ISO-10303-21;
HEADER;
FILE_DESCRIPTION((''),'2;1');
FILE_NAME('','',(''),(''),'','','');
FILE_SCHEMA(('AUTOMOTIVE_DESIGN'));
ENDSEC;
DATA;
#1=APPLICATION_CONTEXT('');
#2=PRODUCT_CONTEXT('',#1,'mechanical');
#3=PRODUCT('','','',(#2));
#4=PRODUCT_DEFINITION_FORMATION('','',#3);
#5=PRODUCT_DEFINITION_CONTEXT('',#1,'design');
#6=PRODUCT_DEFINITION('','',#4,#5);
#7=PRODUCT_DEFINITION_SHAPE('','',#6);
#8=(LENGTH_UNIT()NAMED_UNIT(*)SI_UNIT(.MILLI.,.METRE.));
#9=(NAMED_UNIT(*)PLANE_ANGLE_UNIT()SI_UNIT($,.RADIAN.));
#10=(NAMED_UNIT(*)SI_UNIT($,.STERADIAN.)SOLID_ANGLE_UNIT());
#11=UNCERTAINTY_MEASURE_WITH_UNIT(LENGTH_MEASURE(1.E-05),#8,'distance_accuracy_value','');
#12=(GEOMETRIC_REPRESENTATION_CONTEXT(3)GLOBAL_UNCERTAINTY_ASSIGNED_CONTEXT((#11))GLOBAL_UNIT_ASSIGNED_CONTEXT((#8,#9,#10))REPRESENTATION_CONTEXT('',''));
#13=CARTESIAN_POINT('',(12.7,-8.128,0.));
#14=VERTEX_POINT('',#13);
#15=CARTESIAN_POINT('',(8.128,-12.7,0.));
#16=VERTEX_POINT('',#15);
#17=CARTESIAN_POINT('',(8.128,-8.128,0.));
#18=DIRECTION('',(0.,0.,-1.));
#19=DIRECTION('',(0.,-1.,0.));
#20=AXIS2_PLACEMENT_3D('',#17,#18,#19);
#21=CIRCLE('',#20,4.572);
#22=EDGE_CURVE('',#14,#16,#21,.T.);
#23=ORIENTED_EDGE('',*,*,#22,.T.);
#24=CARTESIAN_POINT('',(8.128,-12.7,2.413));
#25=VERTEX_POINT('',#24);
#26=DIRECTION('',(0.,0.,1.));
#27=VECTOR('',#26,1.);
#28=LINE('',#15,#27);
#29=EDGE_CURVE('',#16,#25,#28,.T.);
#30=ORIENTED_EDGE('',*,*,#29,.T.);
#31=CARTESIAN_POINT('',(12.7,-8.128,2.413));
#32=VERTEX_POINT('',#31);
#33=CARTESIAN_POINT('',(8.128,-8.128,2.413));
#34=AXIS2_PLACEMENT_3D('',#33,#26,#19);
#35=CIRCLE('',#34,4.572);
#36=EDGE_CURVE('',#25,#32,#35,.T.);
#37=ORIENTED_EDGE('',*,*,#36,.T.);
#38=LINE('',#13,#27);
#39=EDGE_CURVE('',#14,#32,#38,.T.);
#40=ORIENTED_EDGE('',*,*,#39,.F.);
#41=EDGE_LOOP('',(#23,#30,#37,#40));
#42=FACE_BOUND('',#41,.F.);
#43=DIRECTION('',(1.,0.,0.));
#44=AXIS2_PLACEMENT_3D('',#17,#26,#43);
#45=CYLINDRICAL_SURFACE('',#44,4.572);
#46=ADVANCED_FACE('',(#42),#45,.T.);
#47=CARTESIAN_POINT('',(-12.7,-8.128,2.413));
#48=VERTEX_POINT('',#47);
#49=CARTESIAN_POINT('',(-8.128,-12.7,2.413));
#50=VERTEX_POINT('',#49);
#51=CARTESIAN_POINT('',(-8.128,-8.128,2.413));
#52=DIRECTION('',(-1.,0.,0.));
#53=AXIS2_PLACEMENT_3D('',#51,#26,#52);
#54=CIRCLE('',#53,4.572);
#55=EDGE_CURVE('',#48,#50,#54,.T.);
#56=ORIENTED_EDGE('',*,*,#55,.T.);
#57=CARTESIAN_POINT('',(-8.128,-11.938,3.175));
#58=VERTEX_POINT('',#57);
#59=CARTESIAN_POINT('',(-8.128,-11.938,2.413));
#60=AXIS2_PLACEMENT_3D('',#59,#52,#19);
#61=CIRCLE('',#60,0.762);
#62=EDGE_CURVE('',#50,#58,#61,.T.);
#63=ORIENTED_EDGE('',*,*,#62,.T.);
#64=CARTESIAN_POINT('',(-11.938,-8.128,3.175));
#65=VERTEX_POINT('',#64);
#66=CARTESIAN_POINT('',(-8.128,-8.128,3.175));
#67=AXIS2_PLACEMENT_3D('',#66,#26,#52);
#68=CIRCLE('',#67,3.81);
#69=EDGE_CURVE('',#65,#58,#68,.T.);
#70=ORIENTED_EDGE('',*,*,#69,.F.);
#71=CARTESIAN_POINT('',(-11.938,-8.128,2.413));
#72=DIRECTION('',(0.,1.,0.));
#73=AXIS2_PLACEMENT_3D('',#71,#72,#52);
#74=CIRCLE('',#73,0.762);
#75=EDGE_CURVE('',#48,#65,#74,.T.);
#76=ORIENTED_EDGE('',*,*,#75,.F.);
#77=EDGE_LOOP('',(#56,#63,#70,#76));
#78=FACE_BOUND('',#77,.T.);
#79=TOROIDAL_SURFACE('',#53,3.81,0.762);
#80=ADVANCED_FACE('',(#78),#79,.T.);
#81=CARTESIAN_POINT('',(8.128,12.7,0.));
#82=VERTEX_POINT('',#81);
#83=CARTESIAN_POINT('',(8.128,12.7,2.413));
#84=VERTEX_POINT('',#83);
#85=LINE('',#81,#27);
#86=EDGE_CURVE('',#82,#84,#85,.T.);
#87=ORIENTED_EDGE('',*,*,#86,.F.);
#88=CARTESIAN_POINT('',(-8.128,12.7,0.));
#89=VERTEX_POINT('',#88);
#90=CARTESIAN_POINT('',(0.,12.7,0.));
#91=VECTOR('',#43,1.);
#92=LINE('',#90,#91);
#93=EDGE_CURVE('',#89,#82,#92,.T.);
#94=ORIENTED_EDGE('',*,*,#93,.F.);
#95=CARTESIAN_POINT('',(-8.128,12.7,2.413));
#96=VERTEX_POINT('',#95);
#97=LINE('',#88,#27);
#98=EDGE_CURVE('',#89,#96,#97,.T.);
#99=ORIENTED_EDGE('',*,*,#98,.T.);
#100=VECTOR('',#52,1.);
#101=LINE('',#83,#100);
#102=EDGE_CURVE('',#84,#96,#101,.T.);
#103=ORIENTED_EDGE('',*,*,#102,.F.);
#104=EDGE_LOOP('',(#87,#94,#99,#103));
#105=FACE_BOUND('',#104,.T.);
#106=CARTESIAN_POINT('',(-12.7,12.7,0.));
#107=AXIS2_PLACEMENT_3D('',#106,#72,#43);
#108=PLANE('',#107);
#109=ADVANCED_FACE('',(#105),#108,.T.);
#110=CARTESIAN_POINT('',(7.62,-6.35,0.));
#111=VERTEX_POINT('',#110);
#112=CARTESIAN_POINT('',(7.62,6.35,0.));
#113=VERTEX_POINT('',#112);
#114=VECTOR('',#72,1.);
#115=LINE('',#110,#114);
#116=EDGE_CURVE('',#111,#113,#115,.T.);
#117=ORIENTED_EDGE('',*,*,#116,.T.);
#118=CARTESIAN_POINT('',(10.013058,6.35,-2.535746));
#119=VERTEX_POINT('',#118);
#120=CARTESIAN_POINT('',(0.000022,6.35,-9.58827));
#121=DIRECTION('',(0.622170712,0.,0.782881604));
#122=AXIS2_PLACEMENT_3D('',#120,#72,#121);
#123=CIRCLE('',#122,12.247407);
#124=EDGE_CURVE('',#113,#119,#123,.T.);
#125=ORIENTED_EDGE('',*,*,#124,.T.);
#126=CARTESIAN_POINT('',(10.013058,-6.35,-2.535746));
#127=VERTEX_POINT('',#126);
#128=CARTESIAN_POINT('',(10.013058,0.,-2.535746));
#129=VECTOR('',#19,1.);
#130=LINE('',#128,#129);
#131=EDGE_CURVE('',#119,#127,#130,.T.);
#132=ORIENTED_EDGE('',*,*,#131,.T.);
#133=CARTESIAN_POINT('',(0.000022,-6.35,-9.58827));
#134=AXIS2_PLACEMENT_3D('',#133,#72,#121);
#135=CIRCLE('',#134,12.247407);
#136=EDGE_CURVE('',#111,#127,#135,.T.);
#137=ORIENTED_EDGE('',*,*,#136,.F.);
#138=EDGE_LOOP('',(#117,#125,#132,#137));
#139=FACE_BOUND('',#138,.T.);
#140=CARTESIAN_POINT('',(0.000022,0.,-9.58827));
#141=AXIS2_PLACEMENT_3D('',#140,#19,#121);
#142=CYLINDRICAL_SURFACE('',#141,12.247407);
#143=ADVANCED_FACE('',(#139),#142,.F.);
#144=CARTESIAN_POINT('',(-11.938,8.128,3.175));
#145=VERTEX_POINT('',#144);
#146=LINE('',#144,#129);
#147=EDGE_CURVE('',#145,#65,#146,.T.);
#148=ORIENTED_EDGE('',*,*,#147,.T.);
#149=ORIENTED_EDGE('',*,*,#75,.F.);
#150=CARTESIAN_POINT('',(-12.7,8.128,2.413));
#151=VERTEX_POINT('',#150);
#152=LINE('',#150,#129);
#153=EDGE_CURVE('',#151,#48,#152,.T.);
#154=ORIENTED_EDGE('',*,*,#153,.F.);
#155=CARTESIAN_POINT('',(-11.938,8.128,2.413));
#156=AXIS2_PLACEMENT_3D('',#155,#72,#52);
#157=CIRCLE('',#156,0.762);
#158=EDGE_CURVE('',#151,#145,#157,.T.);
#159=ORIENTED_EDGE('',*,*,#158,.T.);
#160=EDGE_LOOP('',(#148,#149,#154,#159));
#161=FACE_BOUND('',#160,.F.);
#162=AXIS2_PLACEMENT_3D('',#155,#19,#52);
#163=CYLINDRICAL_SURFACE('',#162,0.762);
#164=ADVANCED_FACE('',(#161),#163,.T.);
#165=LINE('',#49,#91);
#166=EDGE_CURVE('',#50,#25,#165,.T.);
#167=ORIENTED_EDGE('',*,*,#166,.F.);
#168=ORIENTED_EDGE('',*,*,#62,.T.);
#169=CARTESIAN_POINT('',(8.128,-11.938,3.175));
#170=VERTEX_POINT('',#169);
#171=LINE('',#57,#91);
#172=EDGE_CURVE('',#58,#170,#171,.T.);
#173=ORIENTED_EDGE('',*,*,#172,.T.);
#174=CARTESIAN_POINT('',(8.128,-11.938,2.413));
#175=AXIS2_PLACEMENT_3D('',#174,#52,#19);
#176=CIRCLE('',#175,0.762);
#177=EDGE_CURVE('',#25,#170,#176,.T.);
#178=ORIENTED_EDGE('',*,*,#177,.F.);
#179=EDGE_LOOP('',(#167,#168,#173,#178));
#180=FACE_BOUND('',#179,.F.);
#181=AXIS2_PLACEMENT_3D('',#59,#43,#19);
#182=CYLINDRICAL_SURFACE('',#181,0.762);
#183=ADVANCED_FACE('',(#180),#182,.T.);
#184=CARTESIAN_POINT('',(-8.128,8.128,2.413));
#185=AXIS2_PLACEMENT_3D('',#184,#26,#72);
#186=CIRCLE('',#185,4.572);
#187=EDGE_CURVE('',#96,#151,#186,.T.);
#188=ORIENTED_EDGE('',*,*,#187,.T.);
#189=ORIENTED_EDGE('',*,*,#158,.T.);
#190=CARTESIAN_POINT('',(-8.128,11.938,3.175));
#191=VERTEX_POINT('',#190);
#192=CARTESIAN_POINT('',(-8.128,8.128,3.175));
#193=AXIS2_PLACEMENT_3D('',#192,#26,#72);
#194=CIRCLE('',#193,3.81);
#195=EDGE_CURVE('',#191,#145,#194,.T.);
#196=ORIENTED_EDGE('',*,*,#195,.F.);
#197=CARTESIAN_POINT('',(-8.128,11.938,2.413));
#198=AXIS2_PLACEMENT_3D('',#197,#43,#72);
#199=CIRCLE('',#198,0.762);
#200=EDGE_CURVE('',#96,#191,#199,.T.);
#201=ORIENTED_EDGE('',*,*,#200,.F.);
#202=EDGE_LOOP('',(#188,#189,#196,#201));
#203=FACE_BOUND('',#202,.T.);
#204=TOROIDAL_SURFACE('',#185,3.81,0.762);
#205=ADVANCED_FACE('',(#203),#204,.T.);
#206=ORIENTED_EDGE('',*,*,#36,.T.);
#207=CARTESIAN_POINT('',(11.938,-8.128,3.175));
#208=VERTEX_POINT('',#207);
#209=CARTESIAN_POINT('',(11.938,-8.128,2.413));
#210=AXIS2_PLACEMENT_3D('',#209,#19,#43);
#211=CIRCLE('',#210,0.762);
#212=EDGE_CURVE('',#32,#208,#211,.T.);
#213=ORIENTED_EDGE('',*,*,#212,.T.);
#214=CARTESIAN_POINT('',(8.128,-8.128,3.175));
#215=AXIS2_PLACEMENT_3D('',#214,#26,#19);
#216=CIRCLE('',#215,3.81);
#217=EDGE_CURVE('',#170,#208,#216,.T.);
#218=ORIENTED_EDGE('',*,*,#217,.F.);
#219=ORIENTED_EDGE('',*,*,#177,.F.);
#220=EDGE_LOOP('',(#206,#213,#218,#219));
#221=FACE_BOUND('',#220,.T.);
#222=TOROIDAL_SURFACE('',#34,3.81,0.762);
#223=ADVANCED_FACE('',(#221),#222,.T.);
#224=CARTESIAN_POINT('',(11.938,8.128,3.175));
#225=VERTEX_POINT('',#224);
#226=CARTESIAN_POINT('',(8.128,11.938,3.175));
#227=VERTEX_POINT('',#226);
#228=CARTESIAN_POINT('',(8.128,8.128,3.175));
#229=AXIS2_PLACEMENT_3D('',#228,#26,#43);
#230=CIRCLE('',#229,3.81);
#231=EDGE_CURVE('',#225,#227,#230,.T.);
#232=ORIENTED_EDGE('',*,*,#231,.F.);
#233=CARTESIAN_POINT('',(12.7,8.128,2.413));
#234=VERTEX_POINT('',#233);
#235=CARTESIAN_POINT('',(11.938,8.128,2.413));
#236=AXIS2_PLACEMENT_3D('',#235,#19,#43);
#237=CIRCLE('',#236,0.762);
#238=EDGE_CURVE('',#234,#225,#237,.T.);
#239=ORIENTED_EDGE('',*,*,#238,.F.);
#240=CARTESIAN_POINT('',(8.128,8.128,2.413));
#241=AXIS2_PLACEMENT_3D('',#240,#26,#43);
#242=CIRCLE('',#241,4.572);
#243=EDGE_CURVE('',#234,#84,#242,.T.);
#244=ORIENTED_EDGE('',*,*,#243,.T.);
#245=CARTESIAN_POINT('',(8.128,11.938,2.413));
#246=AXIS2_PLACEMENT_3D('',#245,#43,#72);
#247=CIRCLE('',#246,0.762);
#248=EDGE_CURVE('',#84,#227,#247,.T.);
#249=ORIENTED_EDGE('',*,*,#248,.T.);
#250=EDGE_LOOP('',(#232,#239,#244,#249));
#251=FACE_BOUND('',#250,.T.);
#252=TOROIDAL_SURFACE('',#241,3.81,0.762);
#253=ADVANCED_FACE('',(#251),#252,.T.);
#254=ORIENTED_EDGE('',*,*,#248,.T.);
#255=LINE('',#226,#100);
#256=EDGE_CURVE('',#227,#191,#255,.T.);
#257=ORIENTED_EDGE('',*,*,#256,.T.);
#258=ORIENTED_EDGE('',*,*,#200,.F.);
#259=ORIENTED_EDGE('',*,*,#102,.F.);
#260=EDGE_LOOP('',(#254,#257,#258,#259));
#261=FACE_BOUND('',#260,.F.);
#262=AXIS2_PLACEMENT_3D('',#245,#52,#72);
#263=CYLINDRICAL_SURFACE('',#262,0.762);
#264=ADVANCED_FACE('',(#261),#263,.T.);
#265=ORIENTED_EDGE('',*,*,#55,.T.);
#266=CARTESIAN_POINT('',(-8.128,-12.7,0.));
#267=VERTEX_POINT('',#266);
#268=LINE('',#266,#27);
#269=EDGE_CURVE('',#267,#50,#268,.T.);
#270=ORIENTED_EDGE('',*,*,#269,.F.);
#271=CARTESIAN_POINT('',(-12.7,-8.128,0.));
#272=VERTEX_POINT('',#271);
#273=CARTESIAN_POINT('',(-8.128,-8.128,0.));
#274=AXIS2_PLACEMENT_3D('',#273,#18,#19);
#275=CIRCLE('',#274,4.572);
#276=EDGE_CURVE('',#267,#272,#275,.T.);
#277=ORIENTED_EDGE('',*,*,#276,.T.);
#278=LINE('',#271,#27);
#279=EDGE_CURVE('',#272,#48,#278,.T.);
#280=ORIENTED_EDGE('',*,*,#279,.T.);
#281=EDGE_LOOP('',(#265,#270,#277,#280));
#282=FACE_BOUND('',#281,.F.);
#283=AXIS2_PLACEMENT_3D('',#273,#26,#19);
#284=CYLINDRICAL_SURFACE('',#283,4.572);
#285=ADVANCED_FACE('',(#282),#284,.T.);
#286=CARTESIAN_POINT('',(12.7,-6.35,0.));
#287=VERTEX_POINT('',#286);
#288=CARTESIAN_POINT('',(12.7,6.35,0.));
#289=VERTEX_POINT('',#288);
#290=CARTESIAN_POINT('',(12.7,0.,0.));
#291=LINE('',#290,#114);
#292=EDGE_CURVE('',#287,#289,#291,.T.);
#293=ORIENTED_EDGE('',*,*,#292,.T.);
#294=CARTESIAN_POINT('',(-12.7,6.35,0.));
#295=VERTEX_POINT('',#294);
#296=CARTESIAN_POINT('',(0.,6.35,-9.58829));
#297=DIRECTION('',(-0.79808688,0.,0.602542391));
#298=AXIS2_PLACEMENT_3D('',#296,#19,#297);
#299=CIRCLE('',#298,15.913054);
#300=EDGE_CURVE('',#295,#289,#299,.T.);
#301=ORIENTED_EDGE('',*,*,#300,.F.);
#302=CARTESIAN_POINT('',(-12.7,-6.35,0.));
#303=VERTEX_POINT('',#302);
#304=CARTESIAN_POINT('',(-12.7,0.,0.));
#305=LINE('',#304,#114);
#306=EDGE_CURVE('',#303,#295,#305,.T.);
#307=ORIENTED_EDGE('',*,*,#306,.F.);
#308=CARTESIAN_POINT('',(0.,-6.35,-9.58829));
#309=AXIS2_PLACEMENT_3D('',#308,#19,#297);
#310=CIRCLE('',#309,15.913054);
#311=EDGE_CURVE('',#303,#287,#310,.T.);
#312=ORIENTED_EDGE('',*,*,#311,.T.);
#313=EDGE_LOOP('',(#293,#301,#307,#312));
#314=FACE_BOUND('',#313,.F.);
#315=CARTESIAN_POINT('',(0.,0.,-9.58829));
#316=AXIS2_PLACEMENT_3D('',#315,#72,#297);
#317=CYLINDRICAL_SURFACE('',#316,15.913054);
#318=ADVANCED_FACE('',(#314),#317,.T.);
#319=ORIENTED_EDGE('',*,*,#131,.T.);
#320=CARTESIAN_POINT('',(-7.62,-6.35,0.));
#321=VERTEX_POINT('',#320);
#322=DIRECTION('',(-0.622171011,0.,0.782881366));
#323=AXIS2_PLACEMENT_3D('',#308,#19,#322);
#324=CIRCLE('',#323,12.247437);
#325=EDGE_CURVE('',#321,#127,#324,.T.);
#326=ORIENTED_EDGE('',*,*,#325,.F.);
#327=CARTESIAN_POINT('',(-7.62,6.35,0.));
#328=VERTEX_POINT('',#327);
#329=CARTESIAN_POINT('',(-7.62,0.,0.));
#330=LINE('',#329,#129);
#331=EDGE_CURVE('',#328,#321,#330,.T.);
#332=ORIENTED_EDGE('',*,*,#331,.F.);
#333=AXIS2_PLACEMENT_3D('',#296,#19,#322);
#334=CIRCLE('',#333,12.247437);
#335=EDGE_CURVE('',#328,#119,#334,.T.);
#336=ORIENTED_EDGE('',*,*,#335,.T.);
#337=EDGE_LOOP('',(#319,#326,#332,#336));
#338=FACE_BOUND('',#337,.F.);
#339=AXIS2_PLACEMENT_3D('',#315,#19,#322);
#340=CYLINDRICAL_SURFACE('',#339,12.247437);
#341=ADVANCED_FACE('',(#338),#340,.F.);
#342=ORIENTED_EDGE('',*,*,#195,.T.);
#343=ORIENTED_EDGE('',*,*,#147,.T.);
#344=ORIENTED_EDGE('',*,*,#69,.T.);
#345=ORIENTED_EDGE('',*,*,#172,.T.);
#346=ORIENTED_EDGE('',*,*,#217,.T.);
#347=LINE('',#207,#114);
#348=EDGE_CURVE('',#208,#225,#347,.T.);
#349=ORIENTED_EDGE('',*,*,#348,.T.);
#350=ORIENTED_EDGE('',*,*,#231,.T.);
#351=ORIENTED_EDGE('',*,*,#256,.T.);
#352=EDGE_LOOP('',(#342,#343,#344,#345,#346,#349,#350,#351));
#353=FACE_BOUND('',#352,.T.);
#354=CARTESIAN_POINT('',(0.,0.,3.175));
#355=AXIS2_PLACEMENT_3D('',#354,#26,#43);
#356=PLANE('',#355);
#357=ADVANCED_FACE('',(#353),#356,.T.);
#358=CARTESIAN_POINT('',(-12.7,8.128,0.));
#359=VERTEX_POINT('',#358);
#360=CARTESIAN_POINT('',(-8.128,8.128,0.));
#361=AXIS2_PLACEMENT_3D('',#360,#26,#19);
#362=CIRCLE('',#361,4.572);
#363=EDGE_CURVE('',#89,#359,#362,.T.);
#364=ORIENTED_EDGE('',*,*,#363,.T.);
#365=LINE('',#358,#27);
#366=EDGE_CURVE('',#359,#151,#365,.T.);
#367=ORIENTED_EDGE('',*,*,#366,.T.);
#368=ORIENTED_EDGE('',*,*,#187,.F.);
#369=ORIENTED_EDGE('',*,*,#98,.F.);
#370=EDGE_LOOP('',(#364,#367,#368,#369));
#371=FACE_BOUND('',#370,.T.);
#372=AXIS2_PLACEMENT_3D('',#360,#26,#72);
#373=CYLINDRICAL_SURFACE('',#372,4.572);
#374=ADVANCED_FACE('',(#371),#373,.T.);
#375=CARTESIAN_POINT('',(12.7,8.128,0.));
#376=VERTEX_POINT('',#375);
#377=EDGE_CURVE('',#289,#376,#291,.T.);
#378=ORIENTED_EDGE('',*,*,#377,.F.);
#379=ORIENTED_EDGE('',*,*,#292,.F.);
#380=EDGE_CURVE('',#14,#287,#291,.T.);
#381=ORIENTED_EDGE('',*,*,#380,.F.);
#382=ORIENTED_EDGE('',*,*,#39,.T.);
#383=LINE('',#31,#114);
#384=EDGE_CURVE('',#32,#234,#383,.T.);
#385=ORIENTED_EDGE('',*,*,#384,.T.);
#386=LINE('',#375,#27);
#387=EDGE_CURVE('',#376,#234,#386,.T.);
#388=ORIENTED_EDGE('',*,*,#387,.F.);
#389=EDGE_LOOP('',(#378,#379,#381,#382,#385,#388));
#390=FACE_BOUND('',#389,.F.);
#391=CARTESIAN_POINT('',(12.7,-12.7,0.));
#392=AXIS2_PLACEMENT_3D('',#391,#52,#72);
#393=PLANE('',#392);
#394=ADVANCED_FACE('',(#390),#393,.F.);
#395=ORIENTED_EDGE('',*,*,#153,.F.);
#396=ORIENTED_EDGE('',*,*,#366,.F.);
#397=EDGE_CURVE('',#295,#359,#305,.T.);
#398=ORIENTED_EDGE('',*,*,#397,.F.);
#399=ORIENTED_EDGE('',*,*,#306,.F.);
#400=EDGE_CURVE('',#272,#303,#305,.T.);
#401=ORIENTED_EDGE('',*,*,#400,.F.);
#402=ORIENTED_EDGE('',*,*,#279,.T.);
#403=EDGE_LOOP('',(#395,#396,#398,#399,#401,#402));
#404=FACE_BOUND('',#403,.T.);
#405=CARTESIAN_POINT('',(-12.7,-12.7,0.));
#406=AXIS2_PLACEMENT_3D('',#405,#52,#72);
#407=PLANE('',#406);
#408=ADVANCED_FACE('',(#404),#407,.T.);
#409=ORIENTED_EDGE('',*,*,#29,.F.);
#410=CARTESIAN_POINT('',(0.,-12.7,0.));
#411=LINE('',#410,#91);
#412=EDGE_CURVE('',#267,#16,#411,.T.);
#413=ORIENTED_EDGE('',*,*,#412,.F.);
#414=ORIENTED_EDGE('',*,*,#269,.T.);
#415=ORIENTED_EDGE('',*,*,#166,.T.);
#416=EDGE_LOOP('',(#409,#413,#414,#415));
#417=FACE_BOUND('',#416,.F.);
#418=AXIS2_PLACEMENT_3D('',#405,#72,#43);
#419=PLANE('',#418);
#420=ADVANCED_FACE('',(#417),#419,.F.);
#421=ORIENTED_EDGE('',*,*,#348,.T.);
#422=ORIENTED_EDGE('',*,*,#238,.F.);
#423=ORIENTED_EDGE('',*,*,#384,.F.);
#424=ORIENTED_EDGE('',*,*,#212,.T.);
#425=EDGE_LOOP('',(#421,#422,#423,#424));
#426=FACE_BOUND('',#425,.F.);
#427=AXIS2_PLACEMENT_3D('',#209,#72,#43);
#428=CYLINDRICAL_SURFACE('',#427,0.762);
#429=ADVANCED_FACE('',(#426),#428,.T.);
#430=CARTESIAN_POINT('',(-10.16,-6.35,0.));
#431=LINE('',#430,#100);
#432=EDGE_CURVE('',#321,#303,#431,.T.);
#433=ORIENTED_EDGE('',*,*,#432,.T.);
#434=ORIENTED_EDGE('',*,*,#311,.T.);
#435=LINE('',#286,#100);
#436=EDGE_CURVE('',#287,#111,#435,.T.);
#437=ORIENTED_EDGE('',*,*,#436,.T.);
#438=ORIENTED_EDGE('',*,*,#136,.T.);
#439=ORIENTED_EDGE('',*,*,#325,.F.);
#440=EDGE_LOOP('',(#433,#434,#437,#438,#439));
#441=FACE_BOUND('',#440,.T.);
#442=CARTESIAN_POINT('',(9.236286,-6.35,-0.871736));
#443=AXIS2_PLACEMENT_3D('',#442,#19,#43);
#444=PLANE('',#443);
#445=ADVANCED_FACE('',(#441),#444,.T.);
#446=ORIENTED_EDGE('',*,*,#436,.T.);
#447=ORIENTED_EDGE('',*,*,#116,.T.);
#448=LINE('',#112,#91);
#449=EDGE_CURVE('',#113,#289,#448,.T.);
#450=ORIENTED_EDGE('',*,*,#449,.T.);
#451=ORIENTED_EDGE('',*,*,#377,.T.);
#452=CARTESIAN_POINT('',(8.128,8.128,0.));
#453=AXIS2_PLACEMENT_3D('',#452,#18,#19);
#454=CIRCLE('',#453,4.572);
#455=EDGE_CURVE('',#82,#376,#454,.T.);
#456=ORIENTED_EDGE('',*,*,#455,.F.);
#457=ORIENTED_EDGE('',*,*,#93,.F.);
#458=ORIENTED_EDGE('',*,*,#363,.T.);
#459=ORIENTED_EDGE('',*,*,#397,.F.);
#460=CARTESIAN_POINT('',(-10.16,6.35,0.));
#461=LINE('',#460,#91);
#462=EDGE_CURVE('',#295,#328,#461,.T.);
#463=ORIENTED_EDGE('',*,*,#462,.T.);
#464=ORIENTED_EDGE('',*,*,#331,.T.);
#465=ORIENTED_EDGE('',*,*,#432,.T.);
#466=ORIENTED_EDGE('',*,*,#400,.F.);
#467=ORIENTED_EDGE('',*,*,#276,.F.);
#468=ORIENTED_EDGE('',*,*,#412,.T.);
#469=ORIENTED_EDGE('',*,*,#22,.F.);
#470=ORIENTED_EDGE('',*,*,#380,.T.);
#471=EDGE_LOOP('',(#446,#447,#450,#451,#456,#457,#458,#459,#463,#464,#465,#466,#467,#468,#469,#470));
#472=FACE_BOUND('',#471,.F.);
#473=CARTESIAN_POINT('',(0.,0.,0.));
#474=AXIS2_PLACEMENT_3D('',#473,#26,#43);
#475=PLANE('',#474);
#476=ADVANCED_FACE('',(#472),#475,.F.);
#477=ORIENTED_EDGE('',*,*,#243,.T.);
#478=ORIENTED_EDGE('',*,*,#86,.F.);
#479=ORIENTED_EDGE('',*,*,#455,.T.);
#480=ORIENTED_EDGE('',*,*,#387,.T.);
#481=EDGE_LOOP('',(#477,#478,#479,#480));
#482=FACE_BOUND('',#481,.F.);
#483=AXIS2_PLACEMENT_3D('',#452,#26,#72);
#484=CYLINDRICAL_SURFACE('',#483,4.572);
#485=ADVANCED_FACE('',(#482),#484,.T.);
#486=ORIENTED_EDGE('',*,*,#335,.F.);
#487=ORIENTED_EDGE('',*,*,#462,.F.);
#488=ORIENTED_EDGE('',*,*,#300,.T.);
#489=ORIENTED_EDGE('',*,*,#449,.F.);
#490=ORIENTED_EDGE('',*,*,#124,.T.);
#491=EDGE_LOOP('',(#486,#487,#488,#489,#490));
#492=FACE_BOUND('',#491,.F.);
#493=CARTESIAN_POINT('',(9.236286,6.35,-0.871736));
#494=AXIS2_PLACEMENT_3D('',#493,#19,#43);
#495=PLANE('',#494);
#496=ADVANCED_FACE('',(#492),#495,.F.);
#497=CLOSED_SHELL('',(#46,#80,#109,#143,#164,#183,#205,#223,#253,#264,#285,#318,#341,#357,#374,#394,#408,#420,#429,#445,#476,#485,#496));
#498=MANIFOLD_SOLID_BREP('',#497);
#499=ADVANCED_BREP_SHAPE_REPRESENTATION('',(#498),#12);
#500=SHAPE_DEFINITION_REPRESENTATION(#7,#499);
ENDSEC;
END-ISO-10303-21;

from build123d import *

# Parameters (mm, degrees)
F0_W     = 25.4
F0_H     = 25.4
F1_DEPTH = 3.175
F3_W     = 5.08
F3_H     = 12.7
F6_DEPTH = 6.35
F7_R     = 4.572
F8_R     = 0.762


with BuildPart() as f1:
    # F0 (on Top) → F1 (new body)
    with BuildSketch(Plane.XY):
        Rectangle(F0_W, F0_H)
    extrude(amount=F1_DEPTH)

    # F4: sweep along a path in F2
    with BuildLine(Plane.XZ) as f4_path:
        ThreePointArc((-10.16, 0), (0, -23.55829), (10.16, 0))
    # F3 (on face) → F4 (sweep)
    with BuildSketch(Plane(origin=(0, 0, 0), x_dir=(1, 0, 0), z_dir=(0, 0, -1))):
        with Locations((-10.16, 0)):
            Rectangle(F3_W, F3_H)
    sweep(path=f4_path.line)

    # F5 (on Front) → F6 (join, symmetric)
    with BuildSketch(Plane.XZ):
        with BuildLine():
            Line((10.013058, -2.535746), (10.16, 0))
            Line((10.16, 0), (7.62, 0))
            ThreePointArc((7.62, 0), (8.907227, -1.182279), (10.013058, -2.535746))
        make_face()
    extrude(amount=F6_DEPTH, both=True)

    # F7
    f7_edges = [f1.edges().sort_by_distance(p)[0] for p in [
        (12.7, -12.7, 1.5875),
        (12.7, 12.7, 1.5875),
        (-12.7, 12.7, 1.5875),
        (-12.7, -12.7, 1.5875),
    ]]
    fillet(f7_edges, radius=F7_R)

    # F8
    f8_edges = [f1.edges().sort_by_distance(p)[0] for p in [
        (0, -12.7, 3.175),
        (-11.360892, -11.360892, 3.175),
        (11.360892, -11.360892, 3.175),
        (-12.7, 0, 3.175),
        (12.7, 0, 3.175),
        (-11.360892, 11.360892, 3.175),
        (11.360892, 11.360892, 3.175),
        (0, 12.7, 3.175),
    ]]
    fillet(f8_edges, radius=F8_R)


solid = f1.part
